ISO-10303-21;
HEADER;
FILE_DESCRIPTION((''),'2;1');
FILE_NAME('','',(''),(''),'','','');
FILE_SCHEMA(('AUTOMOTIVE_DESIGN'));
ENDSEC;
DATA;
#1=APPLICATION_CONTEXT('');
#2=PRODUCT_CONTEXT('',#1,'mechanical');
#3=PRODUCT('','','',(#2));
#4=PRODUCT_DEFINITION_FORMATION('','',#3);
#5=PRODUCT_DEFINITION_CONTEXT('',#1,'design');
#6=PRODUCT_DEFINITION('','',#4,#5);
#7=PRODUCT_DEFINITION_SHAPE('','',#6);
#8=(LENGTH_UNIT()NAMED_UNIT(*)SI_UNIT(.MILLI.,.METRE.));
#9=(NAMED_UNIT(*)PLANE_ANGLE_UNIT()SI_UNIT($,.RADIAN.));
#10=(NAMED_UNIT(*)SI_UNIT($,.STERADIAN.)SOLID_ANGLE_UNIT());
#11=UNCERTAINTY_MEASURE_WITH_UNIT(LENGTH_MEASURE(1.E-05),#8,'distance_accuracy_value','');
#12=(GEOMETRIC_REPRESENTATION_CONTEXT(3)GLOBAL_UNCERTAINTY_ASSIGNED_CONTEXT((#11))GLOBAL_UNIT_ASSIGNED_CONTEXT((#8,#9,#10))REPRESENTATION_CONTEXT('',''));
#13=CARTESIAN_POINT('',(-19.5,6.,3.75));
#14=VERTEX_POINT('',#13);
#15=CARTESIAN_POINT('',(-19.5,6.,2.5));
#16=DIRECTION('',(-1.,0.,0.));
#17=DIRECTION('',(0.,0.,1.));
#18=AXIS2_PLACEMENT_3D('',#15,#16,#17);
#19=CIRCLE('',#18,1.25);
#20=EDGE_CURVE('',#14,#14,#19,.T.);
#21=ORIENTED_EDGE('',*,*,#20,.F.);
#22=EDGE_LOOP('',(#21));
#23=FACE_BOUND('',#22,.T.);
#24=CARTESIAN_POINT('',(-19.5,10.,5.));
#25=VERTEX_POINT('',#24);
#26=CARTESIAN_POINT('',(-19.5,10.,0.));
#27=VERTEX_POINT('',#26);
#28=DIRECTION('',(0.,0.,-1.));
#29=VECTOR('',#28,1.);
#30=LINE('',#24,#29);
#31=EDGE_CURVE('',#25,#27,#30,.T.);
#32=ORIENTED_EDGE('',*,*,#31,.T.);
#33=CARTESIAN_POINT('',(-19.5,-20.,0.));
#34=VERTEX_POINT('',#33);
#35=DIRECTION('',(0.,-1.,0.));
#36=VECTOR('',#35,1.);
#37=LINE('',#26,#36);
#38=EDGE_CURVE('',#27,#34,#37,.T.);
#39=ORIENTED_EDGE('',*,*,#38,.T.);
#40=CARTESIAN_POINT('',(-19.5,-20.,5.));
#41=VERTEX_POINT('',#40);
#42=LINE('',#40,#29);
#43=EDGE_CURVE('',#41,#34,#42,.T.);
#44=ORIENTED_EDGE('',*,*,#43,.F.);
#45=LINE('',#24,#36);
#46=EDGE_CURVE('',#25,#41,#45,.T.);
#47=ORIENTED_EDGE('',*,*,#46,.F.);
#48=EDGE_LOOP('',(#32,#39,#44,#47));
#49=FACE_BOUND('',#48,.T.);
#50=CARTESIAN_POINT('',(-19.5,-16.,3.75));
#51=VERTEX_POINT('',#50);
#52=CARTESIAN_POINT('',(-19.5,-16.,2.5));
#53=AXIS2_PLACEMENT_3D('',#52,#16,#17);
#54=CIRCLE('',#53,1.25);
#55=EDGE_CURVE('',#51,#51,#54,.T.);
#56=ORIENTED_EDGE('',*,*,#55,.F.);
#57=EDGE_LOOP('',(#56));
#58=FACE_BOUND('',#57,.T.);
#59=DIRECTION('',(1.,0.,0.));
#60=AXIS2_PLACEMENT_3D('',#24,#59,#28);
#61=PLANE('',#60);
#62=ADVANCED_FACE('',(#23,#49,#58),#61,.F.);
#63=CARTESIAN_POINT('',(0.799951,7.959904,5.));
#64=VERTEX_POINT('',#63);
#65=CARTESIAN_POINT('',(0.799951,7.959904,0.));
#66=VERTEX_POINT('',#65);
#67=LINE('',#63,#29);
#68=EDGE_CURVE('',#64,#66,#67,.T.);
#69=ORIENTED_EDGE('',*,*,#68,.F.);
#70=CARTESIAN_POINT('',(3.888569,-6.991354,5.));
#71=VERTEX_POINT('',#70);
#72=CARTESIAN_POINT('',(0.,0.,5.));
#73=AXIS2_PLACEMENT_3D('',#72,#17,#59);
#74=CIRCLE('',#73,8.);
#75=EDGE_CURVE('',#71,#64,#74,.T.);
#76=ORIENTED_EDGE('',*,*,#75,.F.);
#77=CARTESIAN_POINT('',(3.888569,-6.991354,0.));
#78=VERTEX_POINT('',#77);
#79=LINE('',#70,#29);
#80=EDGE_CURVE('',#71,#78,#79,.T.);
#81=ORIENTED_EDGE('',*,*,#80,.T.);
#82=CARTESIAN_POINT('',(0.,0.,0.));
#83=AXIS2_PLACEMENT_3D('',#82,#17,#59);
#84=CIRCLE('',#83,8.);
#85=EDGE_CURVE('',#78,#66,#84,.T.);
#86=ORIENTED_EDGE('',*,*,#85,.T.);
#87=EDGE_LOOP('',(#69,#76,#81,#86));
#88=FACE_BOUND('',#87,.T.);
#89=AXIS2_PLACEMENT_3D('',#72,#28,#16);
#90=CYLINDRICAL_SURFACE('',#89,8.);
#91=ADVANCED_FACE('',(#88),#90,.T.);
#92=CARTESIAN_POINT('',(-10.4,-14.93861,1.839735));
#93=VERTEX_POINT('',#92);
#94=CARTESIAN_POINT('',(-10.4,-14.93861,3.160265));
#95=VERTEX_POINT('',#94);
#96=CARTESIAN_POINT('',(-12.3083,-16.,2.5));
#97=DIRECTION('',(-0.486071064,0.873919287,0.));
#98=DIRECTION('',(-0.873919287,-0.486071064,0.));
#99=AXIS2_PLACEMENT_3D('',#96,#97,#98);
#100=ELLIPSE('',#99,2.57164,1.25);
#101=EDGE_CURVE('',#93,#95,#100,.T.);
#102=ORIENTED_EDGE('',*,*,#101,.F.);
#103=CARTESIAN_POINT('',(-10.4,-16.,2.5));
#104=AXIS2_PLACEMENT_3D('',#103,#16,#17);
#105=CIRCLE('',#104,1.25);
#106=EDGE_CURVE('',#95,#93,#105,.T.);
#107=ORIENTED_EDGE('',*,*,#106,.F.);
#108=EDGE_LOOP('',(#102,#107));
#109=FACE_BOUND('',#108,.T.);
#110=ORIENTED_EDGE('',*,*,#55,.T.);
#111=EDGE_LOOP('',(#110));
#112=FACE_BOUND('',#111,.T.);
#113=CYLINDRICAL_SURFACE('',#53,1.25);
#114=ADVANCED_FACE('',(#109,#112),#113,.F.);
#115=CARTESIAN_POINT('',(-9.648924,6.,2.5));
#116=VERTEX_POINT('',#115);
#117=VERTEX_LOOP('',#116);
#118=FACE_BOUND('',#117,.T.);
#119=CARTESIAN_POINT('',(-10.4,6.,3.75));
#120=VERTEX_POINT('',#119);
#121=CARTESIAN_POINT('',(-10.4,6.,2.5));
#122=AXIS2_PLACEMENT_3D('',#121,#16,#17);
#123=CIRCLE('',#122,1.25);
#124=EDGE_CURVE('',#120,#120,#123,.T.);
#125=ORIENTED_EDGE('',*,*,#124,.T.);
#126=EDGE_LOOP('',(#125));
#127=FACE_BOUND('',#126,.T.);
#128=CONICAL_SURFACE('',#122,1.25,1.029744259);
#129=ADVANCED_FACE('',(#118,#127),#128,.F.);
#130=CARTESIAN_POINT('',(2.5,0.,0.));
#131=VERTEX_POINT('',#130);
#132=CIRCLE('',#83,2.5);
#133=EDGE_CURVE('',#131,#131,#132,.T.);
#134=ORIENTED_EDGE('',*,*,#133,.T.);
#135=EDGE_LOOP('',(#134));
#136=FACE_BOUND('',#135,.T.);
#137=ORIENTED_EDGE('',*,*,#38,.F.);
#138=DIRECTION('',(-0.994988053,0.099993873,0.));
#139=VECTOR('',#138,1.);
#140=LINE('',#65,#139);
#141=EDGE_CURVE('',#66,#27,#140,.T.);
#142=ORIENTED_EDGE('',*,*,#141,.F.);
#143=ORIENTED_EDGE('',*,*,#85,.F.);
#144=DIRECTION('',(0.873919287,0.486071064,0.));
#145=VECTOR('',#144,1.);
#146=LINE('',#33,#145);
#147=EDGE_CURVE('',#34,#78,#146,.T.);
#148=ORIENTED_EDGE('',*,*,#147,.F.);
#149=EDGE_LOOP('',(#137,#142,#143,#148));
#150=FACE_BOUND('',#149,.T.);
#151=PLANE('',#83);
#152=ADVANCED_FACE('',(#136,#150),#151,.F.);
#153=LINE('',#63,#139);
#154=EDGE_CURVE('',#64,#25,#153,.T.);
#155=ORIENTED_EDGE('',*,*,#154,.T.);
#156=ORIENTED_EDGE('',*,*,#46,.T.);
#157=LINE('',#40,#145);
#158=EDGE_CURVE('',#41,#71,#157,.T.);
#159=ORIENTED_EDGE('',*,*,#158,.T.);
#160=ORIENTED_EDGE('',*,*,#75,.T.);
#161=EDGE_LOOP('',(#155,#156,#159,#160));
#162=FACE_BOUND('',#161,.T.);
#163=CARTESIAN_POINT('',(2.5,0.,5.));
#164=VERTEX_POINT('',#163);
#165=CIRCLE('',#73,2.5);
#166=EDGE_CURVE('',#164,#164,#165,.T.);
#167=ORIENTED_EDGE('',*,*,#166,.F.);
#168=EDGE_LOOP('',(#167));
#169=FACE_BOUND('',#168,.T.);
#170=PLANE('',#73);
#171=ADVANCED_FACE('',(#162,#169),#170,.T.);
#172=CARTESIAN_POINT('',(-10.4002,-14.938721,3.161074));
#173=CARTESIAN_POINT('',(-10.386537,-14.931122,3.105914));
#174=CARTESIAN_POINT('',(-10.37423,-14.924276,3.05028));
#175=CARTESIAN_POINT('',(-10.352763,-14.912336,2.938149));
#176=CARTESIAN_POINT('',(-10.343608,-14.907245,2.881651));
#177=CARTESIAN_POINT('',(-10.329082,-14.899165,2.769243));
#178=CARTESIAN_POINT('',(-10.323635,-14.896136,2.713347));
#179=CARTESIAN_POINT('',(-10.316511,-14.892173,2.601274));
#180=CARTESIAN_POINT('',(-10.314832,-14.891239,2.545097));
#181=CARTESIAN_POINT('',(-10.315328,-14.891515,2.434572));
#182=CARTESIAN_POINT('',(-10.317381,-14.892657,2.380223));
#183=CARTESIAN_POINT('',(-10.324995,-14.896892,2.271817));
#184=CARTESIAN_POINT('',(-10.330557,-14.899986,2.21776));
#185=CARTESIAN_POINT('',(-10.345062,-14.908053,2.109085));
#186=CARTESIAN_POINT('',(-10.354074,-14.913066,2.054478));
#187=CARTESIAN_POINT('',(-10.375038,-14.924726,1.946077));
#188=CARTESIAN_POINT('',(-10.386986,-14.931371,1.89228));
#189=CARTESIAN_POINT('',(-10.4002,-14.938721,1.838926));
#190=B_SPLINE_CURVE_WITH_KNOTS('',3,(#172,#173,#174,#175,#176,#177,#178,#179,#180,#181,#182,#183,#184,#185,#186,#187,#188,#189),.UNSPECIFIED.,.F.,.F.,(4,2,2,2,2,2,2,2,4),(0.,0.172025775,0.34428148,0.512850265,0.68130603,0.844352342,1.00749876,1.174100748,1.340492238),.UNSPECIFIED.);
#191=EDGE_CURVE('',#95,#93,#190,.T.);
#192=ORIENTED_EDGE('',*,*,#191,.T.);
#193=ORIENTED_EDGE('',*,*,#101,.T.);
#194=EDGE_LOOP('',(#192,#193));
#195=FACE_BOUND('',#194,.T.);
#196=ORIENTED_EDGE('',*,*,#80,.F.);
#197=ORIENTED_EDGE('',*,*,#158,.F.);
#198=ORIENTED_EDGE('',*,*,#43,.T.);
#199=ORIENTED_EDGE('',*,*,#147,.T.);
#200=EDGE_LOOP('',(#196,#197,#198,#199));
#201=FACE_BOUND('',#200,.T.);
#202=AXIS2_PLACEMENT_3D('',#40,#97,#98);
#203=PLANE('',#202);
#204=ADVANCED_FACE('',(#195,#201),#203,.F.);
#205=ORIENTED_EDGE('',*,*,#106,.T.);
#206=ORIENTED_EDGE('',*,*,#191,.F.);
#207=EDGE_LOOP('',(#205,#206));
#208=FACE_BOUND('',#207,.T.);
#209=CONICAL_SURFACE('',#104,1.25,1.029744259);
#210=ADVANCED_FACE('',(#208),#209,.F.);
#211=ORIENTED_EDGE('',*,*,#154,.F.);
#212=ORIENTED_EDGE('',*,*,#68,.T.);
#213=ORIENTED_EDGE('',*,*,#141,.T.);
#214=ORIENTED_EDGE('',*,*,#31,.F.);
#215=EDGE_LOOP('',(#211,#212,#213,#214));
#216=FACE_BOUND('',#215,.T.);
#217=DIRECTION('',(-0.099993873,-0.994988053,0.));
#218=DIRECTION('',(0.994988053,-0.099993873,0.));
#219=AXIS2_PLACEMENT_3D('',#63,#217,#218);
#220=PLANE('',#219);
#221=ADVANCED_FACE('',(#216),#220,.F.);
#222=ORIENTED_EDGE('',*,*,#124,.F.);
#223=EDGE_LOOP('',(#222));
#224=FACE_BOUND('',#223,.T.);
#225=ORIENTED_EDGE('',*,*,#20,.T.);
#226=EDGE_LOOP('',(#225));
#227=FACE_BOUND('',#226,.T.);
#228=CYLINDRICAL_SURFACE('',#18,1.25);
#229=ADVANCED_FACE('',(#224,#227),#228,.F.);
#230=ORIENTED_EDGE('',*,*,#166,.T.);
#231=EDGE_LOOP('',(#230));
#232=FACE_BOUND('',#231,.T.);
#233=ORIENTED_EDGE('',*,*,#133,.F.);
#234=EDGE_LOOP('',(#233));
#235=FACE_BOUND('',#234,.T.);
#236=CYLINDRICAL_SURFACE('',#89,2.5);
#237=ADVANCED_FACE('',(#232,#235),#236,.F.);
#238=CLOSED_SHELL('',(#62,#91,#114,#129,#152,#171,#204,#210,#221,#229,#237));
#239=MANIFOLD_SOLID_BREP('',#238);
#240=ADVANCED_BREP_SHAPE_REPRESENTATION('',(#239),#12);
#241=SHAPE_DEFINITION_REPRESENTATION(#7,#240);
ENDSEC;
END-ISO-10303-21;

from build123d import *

# Parameters (mm, degrees)
ESQUISSE1_R               = 2.5
EXTRUSION1_DEPTH          = 5
TROU_TARAUD_M3X0_51_D     = 2.5
TROU_TARAUD_M3X0_51_DEPTH = 9.1
TROU_TARAUD_M3X0_51_TIP   = 0.751075774


with BuildPart() as part:
    # Esquisse1 → Extrusion1 (new body)
    with BuildSketch(Plane.XY):
        with BuildLine():
            Line((-19.5, 10), (-19.5, -20))
            Line((-19.5, -20), (3.888568512, -6.991354299))
            ThreePointArc((3.888568512, -6.991354299), (7.834576447, 1.618459728), (0.799950986, 7.959904423))
            Line((0.799950986, 7.959904423), (-19.5, 10))
        make_face()
        Circle(ESQUISSE1_R, mode=Mode.SUBTRACT)
    extrude(amount=EXTRUSION1_DEPTH)

    # Trou taraudé M3x0.51
    with Locations(Plane.ZY.offset(19.5)):
        with Locations((2.5, 6), (2.5, -16)):
            Hole(TROU_TARAUD_M3X0_51_D / 2, depth=TROU_TARAUD_M3X0_51_DEPTH)
            with Locations((0, 0, -(TROU_TARAUD_M3X0_51_DEPTH + TROU_TARAUD_M3X0_51_TIP / 2))):  # 118° drill point
                Cone(0, TROU_TARAUD_M3X0_51_D / 2, TROU_TARAUD_M3X0_51_TIP, mode=Mode.SUBTRACT)


solid = part.part
